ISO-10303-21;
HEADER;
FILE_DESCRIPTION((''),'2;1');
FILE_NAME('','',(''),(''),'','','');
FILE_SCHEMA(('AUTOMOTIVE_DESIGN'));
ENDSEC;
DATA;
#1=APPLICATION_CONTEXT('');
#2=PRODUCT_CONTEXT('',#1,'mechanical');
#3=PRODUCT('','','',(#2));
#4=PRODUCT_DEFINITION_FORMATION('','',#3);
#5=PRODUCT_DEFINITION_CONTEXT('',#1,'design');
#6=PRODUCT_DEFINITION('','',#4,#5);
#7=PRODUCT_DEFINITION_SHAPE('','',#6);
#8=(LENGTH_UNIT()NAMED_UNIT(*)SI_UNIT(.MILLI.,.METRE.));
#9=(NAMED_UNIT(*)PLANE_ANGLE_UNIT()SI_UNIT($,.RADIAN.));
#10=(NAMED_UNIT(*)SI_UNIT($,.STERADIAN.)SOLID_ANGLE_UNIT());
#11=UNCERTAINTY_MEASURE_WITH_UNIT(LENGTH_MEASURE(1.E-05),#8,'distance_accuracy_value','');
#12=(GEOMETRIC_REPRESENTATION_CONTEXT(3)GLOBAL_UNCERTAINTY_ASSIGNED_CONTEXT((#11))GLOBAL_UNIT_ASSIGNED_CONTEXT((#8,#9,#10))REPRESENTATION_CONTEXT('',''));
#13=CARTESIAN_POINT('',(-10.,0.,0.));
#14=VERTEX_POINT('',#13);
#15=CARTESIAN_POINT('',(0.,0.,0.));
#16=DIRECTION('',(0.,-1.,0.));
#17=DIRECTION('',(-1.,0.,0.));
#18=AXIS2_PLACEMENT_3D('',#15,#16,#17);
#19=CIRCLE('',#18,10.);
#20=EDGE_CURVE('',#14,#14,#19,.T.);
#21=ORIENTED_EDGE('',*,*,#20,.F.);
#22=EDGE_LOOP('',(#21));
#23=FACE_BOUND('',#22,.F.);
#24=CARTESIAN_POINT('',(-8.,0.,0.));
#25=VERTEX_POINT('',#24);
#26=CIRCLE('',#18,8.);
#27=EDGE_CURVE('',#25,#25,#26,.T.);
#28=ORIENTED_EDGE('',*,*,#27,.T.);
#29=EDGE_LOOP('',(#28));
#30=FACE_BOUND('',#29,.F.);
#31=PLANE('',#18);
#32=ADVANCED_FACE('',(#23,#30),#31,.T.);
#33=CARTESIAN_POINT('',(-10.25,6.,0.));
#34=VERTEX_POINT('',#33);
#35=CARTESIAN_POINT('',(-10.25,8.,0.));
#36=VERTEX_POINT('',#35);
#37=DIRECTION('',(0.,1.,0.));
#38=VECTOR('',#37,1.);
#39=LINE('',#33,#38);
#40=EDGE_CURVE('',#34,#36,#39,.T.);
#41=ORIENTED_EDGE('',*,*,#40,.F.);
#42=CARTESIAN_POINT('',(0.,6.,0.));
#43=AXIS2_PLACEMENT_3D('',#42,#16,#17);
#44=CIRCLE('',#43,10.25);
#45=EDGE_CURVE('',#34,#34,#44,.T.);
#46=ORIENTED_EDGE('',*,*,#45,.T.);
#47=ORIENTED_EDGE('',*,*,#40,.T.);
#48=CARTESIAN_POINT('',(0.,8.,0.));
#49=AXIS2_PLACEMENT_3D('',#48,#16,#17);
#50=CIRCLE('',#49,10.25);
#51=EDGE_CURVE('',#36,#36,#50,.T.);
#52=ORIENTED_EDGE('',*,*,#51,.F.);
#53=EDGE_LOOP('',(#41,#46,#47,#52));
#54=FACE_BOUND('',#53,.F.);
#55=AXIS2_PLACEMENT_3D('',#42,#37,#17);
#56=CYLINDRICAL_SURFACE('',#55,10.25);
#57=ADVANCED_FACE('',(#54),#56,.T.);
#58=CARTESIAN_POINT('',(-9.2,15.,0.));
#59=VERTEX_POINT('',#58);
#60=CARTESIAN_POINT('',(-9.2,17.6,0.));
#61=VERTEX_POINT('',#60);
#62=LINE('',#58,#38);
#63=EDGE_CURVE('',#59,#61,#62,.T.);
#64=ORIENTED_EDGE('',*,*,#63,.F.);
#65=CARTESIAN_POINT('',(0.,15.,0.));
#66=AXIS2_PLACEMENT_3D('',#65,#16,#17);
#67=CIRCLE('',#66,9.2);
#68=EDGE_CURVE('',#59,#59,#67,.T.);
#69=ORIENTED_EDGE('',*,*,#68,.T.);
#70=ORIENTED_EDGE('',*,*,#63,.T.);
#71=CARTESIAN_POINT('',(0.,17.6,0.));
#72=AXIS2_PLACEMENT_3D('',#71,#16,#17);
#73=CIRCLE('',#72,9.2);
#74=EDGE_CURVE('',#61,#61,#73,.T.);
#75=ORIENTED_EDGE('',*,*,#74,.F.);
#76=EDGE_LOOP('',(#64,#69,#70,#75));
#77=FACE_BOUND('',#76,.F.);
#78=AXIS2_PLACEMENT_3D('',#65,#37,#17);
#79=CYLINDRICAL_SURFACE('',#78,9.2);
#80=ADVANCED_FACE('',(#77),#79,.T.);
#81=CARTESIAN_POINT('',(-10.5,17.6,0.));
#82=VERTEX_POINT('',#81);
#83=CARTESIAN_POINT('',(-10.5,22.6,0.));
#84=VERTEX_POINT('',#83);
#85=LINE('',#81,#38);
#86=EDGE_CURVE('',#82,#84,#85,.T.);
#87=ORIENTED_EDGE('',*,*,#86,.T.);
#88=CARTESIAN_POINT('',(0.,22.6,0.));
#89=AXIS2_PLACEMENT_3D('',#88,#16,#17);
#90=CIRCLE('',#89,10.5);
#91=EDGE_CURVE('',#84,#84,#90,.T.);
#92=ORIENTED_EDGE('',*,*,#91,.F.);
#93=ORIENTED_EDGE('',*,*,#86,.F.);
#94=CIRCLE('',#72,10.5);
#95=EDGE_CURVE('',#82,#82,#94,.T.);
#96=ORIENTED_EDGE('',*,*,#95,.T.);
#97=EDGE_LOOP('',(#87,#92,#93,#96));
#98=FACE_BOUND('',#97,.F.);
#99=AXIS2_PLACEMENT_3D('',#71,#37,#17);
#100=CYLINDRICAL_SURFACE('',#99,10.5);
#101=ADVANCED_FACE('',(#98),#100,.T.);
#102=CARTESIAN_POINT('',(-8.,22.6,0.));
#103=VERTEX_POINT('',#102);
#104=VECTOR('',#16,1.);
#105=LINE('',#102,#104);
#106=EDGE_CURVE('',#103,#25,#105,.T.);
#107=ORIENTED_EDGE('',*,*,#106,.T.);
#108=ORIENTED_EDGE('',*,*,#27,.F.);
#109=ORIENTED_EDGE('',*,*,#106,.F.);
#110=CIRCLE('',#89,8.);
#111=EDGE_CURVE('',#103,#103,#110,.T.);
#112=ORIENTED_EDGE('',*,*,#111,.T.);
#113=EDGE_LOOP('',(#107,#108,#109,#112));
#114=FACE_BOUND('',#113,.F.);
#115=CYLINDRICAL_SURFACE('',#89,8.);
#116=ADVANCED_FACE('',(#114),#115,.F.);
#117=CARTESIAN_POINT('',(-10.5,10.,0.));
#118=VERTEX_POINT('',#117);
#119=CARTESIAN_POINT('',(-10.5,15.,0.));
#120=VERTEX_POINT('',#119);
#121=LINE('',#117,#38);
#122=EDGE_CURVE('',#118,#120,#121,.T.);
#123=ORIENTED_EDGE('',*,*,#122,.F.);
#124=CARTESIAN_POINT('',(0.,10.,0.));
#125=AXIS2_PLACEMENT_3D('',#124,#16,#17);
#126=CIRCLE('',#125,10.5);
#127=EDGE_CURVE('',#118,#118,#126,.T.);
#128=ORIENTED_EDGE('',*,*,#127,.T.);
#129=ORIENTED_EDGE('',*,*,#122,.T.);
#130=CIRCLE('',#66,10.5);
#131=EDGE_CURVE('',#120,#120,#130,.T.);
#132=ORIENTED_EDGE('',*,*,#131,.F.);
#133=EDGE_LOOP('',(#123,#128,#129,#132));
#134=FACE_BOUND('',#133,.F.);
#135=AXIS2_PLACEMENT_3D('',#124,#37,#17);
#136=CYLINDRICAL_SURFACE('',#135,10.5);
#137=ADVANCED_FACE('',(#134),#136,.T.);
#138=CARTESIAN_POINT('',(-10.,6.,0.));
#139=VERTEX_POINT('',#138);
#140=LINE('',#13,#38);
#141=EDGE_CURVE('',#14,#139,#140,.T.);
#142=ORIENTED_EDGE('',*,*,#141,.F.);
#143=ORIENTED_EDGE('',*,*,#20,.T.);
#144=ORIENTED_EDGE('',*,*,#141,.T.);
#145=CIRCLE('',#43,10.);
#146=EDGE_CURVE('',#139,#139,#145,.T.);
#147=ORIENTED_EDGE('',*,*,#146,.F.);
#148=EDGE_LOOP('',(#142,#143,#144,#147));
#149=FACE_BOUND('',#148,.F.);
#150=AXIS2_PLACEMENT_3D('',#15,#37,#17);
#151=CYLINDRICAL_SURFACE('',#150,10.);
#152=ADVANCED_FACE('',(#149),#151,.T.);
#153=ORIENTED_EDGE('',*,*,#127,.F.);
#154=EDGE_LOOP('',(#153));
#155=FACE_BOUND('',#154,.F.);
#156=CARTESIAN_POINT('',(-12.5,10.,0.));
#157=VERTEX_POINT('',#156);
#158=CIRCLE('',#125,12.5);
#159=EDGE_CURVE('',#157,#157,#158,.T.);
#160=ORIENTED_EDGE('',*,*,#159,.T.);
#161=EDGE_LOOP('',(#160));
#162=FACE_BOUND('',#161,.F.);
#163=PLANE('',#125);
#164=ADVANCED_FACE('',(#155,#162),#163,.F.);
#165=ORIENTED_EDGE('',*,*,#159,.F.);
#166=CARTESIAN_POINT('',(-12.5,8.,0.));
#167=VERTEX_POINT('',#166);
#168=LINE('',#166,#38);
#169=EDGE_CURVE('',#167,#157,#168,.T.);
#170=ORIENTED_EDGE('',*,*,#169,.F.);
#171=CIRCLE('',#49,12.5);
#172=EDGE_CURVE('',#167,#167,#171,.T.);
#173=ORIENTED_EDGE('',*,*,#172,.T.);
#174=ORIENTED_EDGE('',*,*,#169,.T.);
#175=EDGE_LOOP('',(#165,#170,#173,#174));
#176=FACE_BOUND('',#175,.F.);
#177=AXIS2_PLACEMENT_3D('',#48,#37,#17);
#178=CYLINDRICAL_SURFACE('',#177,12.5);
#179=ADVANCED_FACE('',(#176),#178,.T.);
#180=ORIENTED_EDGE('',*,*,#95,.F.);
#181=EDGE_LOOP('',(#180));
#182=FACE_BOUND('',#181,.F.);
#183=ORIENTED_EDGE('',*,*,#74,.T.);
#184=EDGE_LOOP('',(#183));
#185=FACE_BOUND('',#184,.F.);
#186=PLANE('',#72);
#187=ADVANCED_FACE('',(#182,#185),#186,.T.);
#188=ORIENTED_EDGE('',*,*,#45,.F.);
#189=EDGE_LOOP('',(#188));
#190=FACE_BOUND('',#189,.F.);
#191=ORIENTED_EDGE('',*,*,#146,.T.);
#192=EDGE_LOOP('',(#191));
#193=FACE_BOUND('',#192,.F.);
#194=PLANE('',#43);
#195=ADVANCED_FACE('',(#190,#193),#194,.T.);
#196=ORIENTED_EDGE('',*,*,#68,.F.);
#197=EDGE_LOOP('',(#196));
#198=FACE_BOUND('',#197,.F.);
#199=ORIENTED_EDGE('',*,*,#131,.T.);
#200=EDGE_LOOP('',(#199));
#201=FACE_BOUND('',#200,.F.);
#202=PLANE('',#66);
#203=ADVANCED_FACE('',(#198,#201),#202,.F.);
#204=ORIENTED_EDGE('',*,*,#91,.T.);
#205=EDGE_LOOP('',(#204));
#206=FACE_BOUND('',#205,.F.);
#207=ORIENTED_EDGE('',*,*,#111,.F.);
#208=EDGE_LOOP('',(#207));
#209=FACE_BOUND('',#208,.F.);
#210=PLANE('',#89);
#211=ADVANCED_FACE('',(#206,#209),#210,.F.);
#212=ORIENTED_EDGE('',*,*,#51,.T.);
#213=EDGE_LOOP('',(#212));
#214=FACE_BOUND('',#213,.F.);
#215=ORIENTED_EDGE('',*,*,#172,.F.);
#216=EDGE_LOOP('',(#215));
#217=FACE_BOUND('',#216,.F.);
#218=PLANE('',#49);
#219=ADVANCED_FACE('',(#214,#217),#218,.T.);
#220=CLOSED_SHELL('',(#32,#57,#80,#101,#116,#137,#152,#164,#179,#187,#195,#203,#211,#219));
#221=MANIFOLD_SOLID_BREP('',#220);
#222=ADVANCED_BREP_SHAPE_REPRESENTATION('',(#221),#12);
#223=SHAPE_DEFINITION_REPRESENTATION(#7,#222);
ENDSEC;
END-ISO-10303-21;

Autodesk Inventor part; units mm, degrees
ref_plane "YZ Plane" through (0, 0, 0) normal (1, 0, 0) x (0, 1, 0)
ref_plane "XZ Plane" through (0, 0, 0) normal (0, 1, 0) x (-1, 0, 0)
ref_plane "XY Plane" through (0, 0, 0) normal (0, 0, 1) x (1, 0, 0)
sketch "Sketch3" plane through (0, 0, 0) normal (0, 0, 1) x (1, 0, 0)
  line L0 (0, 0) -> (-10, 0)
  line L1 (-10, 0) -> (-10, 6)
  line L2 (-10, 6) -> (-10.25, 6)
  line L3 (-10.25, 6) -> (-10.25, 8)
  line L4 (-10.25, 8) -> (-12.5, 8)
  line L5 (-12.5, 8) -> (-12.5, 10)
  line L6 (-12.5, 10) -> (-10.5, 10)
  line L7 (-10.5, 10) -> (-10.5, 15)
  line L8 (-10.5, 15) -> (-9.2, 15)
  line L9 (-9.2, 15) -> (-9.2, 17.6)
  line L10 (-9.2, 17.6) -> (-10.5, 17.6)
  line L11 (-10.5, 17.6) -> (-10.5, 22.6)
  line L12 (-10.5, 22.6) -> (0, 22.6)
  line L13 (0, 22.6) -> (0, 0)
  line L14 (0, 22.6) -> (-8, 22.6)
  line L15 (-8, 22.6) -> (-8, 0)
  dimension "d23" = 10
  dimension "d24" = 6
  dimension "d25" = 0.25
  dimension "d26" = 2
  dimension "d27" = 2.25
  dimension "d28" = 2
  dimension "d29" = 2
  dimension "d30" = 5
  dimension "d31" = 1.3
  dimension "d32" = 2.6
  dimension "d33" = 5
  dimension "d34" = 8
revolve "Revolution2" add sketch "Sketch3" angle 360 about axis through (0, 22.6, 0) along (0, -1, 0) contours L0 L1 L2 L3 L4 L5 L6 L7 L8 L9 L10 L11 L12 L15
thread "Thread3" size "M20x2" class "6g" standard "ANSI Metric M Profile" full length
properties part number "Conector Tapa-Corrugado V2" material "Polypropylene"
